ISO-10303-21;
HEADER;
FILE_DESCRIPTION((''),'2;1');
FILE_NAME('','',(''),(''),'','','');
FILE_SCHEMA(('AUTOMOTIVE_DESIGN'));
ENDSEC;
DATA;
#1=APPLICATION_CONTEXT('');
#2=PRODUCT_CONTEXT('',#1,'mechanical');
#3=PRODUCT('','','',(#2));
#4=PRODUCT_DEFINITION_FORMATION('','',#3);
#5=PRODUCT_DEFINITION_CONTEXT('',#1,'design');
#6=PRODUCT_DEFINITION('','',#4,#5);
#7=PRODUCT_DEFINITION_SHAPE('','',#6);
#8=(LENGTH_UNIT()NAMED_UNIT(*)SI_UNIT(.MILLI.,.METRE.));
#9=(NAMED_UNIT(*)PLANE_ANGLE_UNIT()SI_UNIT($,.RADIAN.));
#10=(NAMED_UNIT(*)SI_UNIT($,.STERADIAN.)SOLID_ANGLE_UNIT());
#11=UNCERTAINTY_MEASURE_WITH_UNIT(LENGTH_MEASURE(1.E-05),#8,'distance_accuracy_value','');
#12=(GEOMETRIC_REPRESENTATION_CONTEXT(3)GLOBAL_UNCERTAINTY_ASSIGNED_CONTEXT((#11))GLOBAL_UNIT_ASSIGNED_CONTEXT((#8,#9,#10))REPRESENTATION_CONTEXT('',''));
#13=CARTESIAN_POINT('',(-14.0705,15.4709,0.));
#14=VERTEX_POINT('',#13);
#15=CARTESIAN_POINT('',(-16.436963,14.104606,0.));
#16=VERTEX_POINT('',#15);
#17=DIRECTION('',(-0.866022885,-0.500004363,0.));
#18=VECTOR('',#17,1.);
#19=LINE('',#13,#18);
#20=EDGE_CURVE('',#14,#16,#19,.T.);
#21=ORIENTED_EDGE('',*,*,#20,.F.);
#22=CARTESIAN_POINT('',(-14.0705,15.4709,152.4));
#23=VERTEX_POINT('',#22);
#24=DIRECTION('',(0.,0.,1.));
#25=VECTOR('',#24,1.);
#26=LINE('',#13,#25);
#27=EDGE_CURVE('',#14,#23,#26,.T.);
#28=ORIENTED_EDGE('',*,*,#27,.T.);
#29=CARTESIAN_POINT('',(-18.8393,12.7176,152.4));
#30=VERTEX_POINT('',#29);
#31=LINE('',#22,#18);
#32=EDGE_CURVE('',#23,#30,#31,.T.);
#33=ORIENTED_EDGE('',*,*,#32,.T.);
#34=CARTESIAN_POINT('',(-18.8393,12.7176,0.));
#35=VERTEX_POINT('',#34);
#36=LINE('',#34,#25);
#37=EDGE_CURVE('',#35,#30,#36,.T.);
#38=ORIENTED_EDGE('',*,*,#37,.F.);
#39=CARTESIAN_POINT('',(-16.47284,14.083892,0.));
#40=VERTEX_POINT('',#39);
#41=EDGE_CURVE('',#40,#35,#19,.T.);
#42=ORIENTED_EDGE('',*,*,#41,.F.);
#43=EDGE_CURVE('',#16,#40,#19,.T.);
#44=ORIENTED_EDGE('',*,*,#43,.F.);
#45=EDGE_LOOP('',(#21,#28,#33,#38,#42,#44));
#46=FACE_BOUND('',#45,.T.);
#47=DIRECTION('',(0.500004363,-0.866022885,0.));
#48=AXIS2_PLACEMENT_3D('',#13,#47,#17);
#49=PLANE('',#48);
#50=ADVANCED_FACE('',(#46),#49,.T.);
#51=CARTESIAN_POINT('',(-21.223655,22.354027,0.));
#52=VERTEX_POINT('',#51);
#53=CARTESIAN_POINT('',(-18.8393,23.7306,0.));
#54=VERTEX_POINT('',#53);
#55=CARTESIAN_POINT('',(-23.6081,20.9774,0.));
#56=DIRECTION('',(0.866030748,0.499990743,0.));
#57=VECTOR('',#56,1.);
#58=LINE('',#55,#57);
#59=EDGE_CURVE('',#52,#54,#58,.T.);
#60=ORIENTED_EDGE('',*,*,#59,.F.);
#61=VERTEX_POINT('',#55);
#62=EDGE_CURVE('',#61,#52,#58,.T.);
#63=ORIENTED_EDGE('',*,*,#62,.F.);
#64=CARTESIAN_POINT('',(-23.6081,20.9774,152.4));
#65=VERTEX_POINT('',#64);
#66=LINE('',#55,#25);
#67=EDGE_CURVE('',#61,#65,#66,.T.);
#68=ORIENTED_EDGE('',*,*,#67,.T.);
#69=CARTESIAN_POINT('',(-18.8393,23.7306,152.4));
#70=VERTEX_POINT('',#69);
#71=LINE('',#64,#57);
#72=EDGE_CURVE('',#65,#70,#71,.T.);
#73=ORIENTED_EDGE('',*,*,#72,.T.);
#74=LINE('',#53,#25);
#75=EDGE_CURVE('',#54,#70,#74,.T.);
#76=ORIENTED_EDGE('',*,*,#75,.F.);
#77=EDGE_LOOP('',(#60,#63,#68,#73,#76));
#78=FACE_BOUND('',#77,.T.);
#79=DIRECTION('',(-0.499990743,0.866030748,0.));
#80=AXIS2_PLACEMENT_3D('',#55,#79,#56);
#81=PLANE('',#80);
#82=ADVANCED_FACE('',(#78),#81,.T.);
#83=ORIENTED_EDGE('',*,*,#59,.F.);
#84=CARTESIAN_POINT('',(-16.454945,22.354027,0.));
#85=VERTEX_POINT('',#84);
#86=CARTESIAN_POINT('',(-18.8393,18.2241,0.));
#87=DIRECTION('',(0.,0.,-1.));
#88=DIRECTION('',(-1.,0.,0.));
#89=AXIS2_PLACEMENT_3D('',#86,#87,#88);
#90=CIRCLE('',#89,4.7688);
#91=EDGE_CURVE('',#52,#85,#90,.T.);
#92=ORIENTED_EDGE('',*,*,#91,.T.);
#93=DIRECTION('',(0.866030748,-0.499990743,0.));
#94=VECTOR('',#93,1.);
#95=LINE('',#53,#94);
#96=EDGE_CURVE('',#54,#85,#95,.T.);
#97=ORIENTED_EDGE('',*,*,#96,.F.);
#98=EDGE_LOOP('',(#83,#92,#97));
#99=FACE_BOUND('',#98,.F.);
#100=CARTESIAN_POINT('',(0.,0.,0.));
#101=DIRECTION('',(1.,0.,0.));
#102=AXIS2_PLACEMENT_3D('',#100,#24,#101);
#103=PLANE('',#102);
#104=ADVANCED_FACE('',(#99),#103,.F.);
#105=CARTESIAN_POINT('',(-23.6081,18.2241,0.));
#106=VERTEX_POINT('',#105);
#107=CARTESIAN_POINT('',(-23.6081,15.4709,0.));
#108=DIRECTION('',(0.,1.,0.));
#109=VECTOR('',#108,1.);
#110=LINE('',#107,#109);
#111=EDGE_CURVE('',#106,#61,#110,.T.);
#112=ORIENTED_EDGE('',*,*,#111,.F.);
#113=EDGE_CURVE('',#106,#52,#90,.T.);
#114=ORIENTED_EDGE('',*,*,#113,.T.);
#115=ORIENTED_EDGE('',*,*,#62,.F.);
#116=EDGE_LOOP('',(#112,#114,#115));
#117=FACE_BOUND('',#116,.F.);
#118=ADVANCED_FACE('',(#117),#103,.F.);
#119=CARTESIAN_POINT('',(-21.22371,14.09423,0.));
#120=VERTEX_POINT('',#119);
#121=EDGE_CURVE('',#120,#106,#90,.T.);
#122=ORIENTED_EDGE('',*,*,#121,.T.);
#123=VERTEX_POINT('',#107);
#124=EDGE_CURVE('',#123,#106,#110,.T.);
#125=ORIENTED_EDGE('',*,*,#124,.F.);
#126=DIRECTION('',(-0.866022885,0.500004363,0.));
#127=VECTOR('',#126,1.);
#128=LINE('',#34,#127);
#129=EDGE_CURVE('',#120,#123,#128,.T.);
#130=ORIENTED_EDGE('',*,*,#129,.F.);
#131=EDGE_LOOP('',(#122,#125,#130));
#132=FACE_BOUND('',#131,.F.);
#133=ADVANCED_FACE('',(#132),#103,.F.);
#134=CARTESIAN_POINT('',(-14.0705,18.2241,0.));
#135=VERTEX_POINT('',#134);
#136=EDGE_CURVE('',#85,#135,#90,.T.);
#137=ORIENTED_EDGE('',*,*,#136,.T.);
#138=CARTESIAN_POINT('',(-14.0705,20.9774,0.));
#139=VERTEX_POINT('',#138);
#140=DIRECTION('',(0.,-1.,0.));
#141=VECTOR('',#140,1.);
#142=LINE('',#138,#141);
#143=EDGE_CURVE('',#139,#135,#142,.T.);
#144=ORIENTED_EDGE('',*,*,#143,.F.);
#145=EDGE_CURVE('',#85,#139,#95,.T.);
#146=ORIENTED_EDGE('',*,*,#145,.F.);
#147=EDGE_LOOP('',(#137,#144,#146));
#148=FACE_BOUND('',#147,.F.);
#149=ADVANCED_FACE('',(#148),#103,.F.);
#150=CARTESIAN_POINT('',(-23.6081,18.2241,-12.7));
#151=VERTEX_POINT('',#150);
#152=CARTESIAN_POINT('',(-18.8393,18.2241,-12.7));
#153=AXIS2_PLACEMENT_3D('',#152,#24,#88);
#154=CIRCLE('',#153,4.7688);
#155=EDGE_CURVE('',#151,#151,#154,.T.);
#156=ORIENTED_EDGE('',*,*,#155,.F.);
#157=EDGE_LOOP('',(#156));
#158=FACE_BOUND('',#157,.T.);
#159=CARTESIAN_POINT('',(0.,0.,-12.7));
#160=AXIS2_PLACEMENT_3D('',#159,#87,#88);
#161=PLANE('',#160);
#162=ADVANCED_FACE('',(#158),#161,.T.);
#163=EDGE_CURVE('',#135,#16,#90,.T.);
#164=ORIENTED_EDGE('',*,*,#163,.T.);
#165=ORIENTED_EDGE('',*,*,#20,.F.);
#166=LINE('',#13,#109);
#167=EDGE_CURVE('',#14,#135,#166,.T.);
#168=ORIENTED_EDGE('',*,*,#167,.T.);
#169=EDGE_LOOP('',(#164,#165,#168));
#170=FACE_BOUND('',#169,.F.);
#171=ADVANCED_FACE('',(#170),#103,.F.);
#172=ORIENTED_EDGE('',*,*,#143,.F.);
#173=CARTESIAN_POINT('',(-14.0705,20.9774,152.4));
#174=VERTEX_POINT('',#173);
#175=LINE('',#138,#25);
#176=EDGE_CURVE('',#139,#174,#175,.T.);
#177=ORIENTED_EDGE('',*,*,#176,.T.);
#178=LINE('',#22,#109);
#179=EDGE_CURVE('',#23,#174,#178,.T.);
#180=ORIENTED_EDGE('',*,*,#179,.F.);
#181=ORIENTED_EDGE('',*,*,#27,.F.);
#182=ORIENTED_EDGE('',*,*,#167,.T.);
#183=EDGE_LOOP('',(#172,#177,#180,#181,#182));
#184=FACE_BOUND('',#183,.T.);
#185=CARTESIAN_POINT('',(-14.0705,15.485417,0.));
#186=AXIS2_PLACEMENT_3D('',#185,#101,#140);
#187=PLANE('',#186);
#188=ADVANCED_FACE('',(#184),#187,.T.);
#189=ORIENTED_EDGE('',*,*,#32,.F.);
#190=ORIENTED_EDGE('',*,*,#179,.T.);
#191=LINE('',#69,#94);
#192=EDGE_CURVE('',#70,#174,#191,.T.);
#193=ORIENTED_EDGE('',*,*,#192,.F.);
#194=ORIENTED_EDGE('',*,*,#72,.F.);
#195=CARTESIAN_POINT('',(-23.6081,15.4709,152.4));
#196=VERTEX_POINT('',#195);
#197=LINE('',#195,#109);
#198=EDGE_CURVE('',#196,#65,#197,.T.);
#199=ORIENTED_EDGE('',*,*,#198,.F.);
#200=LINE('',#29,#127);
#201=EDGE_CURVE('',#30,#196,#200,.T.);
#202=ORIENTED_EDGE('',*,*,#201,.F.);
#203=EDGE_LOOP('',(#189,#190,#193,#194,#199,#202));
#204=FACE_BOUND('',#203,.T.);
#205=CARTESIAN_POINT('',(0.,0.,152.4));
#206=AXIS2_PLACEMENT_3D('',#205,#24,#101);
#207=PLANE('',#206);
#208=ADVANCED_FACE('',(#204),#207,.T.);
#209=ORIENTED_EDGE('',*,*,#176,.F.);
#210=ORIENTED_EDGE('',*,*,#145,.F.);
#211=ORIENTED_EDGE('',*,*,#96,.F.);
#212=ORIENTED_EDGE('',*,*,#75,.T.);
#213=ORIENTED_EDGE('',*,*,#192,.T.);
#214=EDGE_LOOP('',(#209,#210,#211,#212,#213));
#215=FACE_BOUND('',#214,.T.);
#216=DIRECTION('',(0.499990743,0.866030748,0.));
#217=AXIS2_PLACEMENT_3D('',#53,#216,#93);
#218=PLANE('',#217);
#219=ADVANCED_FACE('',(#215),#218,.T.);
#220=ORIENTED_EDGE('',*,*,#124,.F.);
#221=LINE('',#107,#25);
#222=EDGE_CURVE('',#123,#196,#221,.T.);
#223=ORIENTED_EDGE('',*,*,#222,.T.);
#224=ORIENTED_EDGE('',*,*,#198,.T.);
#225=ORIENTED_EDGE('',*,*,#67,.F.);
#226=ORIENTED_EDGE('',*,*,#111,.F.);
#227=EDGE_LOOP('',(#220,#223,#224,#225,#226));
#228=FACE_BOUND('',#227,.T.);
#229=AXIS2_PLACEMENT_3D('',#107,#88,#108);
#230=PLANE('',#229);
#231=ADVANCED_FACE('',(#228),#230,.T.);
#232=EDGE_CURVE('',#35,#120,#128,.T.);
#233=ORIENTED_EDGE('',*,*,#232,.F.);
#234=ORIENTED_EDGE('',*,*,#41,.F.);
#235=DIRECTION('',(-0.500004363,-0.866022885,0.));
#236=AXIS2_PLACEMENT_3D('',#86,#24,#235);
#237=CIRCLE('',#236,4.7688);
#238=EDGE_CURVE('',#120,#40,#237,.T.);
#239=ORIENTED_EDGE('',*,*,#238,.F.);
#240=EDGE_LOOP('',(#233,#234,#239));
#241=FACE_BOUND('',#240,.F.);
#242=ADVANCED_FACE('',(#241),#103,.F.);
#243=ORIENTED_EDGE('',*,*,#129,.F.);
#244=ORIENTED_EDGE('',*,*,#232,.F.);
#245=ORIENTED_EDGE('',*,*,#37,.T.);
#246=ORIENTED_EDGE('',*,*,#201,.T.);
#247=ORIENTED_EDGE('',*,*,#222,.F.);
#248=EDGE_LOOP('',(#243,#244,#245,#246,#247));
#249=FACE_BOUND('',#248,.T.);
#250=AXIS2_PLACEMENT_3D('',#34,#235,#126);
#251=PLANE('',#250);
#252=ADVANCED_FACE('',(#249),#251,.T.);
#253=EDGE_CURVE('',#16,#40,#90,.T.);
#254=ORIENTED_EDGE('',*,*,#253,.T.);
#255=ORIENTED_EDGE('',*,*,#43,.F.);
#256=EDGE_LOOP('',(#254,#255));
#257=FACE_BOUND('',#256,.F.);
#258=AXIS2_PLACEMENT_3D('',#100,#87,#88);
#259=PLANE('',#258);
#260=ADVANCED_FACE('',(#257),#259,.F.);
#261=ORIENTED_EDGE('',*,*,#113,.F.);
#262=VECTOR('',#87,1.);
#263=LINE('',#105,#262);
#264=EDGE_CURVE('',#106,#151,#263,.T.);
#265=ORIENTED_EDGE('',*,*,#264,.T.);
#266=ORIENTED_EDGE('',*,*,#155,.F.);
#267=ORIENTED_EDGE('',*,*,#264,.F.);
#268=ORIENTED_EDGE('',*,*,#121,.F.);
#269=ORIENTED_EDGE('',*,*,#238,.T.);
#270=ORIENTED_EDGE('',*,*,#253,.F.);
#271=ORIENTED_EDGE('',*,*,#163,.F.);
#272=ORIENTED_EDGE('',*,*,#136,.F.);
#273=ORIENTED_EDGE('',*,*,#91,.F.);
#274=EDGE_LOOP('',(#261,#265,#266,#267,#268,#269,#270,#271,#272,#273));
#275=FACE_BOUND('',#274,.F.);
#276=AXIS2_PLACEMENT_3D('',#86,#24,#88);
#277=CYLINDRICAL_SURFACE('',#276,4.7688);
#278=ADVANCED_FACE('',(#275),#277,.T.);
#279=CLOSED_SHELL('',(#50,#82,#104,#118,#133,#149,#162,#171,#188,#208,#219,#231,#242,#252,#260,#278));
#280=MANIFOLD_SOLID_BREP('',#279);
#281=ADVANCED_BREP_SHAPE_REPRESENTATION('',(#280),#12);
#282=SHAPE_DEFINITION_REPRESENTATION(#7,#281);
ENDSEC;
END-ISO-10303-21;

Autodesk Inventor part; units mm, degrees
ref_plane "YZ Plane" through (0, 0, 0) normal (1, 0, 0) x (0, 1, 0)
ref_plane "XZ Plane" through (0, 0, 0) normal (0, 1, 0) x (-1, 0, 0)
ref_plane "XY Plane" through (0, 0, 0) normal (0, 0, 1) x (1, 0, 0)
sketch "Sketch1" plane through (0, 0, 0) normal (0, 0, 1) x (1, 0, 0)
  line L0 (-16.4487, 14.1051) -> (-9.6381, 18.058)
  line L1 (-16.4487, 14.1051) -> (-18.8393, 18.2241)
  line L2 (-18.8393, 12.7176) -> (-23.6081, 15.4709)
  line L3 (-23.6081, 15.4709) -> (-23.6081, 20.9774)
  line L4 (-23.6081, 20.9774) -> (-18.8393, 23.7306)
  line L5 (-18.8393, 23.7306) -> (-14.0705, 20.9774)
  line L6 (-14.0705, 20.9774) -> (-14.0705, 15.4709)
  line L7 (-14.0705, 15.4709) -> (-18.8393, 12.7176)
  dimension "d5" = 4.7625
extrude "Extrusion1" add sketch "Sketch1" along normal blind 152.4
sketch "Sketch3" plane through (0, 0, 0) normal (0, 0, -1) x (-1, 0, 0)
  line L0 (23.6081, 15.4709) -> (18.8393, 12.7176) projected
  line L1 (18.8393, 12.7176) -> (18.8393, 18.2241)
  circle A0 centre (18.8393, 18.2241) radius 4.7688
  point P0 (0, 0)
extrude "Extrusion3" add sketch "Sketch3" along normal blind 12.7 contours A0
properties part number "Sanded Hex Rod"
